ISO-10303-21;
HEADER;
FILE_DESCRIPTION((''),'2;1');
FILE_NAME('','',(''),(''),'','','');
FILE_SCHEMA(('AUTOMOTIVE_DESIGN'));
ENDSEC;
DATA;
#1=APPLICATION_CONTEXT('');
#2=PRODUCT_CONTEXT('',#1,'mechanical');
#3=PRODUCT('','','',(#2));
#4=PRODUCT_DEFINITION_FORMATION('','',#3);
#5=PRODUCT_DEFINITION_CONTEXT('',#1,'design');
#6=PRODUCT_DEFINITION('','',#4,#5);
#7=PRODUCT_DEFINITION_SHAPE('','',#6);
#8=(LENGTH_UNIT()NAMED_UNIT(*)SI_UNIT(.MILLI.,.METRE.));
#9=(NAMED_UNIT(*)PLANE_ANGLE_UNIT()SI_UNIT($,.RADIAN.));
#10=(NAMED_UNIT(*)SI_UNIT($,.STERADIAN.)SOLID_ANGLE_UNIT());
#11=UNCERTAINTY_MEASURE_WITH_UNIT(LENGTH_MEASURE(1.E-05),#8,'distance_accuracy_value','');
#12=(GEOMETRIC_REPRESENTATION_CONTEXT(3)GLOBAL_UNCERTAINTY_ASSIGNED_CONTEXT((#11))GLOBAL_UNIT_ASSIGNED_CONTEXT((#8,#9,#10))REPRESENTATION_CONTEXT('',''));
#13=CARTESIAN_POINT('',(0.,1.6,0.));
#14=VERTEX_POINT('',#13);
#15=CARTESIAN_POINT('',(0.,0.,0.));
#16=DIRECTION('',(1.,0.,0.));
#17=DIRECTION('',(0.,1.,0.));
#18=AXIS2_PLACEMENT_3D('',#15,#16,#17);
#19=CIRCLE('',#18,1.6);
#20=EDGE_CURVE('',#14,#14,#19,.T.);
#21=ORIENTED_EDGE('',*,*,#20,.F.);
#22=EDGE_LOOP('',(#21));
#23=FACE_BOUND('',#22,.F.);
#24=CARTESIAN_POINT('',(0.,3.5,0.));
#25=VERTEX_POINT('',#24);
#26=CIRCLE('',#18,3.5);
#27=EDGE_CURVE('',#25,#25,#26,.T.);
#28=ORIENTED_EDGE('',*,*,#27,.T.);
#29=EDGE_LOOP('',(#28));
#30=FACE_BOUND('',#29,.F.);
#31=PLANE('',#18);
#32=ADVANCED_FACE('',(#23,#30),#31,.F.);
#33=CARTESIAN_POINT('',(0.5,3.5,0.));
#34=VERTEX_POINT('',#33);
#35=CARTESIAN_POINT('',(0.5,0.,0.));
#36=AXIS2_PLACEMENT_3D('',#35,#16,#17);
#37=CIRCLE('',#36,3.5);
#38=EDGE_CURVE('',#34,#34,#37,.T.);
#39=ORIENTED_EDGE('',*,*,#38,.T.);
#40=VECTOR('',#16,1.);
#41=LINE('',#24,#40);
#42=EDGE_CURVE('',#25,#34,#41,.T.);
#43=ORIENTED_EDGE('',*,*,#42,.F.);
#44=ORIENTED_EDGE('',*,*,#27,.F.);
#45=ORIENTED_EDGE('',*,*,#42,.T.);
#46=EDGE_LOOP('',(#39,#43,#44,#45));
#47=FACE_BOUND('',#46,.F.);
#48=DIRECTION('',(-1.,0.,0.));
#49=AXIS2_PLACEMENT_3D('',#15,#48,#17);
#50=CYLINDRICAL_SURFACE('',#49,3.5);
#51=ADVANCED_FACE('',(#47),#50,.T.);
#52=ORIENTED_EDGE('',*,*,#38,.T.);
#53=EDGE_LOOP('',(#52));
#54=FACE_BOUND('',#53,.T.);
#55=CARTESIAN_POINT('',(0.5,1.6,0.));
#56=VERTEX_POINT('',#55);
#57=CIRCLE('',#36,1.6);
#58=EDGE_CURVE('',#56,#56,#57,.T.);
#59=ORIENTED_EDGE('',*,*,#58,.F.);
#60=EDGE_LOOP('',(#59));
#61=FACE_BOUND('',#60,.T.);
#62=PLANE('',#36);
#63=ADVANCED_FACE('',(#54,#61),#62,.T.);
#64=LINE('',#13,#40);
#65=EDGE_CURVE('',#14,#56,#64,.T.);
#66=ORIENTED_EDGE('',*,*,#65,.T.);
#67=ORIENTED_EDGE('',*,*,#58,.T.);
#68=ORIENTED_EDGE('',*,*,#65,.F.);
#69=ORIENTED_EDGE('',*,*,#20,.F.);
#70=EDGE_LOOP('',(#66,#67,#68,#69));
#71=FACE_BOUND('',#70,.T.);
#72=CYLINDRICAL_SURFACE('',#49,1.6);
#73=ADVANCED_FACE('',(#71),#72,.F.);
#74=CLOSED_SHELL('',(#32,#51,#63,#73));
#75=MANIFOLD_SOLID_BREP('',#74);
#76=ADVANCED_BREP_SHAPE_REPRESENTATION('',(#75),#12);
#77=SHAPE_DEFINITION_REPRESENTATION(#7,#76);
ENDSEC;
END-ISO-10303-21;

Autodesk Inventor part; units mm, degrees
ref_plane "YZ Plane" through (0, 0, 0) normal (1, 0, 0) x (0, 1, 0)
ref_plane "XZ Plane" through (0, 0, 0) normal (0, 1, 0) x (-1, 0, 0)
sketch "Sketch" plane through (0, 0, 0) normal (1, 0, 0) x (0, 1, 0)
  circle A0 centre (0, 0) radius 3.5
  circle A1 centre (0, 0) radius 1.6
  dimension "d0" = 3.2
  dimension "d1" = 7
extrude "Body" add sketch "Sketch" along normal blind 0.5
ref_plane "Work Plane1" through (0, 0, 0) normal (0, 0, 1) x (1, 0, 0)
equation "\"d0\" = SD1"
equation "\"d1\" = SD2"
equation "\"d2\" = SD"
equation "\"SD1\" = 3.2"
equation "\"SD2\" = 7"
equation "\"SD\" = 0.5"
equation "\"NND\" = 3"
properties part number "11-3401" material "Steel"
